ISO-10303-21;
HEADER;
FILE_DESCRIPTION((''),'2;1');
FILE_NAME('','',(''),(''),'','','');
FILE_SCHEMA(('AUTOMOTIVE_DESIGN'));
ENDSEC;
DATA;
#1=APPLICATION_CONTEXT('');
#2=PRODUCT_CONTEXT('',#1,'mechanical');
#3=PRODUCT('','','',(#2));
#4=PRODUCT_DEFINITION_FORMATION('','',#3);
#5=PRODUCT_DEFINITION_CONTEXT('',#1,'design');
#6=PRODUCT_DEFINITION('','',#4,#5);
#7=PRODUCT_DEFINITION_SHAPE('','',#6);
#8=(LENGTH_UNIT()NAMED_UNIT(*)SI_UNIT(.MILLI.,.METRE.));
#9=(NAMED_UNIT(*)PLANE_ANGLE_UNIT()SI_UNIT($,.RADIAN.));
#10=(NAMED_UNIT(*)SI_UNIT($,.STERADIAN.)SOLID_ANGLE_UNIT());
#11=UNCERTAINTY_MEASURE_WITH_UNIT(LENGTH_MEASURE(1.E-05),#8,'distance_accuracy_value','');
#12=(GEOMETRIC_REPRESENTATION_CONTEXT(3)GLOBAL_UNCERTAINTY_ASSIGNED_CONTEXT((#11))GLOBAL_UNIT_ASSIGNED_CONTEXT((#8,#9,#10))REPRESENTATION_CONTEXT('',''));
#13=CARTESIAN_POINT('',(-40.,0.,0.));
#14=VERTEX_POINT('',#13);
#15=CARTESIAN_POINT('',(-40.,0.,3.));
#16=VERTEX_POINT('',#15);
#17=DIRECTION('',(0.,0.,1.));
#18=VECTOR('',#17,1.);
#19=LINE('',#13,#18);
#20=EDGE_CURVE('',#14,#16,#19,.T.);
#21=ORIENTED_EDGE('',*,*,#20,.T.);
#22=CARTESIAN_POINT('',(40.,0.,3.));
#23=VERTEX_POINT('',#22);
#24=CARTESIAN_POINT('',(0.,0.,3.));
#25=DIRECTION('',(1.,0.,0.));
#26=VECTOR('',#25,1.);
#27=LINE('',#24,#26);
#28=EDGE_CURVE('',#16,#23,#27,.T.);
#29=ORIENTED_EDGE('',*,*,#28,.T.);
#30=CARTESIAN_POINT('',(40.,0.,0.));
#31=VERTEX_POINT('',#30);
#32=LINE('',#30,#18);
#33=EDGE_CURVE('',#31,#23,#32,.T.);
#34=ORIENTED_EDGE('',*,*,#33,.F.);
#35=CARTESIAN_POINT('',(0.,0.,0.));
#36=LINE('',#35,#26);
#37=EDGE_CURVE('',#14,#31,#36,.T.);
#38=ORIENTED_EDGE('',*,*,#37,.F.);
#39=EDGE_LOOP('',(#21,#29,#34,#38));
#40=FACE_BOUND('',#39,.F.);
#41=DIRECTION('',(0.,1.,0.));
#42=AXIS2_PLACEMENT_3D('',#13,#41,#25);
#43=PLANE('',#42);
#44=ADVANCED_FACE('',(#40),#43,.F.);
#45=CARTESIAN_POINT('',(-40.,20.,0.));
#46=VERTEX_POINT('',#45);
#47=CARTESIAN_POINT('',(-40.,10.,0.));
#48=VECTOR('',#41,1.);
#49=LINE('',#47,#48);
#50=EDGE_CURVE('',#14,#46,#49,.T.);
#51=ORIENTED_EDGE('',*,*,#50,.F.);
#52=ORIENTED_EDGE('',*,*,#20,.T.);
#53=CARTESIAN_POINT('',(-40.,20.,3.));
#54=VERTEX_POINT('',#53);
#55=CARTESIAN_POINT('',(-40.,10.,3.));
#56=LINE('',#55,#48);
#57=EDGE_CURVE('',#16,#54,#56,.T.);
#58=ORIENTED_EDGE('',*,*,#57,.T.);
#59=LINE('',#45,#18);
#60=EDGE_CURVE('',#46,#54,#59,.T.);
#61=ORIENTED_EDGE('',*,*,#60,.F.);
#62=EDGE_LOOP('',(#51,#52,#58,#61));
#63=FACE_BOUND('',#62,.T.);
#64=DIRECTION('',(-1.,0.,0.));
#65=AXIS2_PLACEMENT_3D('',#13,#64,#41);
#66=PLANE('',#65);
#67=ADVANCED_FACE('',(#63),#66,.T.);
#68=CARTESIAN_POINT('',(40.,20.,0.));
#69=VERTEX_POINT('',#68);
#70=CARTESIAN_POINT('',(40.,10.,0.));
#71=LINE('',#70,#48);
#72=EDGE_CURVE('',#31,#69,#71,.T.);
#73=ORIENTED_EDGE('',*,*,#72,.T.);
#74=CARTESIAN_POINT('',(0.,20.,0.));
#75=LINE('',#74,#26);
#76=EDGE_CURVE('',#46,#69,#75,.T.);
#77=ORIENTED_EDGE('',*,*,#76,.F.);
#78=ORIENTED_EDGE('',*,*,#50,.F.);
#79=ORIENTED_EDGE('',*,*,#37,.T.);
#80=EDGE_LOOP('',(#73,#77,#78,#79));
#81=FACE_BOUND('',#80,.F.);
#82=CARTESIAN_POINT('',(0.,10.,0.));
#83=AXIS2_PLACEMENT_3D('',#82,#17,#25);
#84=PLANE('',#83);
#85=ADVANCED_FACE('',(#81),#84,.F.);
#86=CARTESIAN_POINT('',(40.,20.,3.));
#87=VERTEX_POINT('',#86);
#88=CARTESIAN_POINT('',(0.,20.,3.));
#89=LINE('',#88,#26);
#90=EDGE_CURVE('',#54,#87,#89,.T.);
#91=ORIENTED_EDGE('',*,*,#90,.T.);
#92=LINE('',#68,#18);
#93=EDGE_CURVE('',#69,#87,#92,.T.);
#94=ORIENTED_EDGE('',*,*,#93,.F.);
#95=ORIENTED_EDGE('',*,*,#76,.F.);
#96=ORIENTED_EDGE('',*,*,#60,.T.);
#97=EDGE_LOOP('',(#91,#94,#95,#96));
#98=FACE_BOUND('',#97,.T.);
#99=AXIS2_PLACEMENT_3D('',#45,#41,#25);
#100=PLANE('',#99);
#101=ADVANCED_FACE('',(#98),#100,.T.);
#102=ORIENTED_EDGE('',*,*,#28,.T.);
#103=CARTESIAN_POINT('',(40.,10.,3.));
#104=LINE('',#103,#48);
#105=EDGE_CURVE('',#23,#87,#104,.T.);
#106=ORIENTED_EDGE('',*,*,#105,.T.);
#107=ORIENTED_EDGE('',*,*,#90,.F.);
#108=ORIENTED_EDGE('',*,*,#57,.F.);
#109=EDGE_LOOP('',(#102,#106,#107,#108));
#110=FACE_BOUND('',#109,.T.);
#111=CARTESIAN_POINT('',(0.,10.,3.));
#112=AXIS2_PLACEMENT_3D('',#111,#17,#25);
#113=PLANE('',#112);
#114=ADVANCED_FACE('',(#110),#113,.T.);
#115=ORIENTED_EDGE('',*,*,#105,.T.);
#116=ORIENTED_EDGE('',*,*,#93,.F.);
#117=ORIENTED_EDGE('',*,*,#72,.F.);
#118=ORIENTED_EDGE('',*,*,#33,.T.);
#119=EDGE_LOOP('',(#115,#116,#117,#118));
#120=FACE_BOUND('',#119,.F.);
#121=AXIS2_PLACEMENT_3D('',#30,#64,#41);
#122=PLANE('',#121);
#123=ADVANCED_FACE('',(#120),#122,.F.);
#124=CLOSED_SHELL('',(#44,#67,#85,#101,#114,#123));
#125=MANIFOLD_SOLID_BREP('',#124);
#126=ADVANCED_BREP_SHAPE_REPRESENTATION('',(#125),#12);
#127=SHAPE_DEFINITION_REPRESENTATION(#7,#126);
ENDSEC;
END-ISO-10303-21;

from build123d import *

# Parameters (mm, degrees)
SKETCH_W  = 80
SKETCH_H  = 20
PAD_DEPTH = 3


with BuildPart() as part:
    # Sketch → Pad (new body)
    with BuildSketch(Plane.XY):
        with Locations((0, 10)):
            Rectangle(SKETCH_W, SKETCH_H)
    extrude(amount=PAD_DEPTH)


solid = part.part
